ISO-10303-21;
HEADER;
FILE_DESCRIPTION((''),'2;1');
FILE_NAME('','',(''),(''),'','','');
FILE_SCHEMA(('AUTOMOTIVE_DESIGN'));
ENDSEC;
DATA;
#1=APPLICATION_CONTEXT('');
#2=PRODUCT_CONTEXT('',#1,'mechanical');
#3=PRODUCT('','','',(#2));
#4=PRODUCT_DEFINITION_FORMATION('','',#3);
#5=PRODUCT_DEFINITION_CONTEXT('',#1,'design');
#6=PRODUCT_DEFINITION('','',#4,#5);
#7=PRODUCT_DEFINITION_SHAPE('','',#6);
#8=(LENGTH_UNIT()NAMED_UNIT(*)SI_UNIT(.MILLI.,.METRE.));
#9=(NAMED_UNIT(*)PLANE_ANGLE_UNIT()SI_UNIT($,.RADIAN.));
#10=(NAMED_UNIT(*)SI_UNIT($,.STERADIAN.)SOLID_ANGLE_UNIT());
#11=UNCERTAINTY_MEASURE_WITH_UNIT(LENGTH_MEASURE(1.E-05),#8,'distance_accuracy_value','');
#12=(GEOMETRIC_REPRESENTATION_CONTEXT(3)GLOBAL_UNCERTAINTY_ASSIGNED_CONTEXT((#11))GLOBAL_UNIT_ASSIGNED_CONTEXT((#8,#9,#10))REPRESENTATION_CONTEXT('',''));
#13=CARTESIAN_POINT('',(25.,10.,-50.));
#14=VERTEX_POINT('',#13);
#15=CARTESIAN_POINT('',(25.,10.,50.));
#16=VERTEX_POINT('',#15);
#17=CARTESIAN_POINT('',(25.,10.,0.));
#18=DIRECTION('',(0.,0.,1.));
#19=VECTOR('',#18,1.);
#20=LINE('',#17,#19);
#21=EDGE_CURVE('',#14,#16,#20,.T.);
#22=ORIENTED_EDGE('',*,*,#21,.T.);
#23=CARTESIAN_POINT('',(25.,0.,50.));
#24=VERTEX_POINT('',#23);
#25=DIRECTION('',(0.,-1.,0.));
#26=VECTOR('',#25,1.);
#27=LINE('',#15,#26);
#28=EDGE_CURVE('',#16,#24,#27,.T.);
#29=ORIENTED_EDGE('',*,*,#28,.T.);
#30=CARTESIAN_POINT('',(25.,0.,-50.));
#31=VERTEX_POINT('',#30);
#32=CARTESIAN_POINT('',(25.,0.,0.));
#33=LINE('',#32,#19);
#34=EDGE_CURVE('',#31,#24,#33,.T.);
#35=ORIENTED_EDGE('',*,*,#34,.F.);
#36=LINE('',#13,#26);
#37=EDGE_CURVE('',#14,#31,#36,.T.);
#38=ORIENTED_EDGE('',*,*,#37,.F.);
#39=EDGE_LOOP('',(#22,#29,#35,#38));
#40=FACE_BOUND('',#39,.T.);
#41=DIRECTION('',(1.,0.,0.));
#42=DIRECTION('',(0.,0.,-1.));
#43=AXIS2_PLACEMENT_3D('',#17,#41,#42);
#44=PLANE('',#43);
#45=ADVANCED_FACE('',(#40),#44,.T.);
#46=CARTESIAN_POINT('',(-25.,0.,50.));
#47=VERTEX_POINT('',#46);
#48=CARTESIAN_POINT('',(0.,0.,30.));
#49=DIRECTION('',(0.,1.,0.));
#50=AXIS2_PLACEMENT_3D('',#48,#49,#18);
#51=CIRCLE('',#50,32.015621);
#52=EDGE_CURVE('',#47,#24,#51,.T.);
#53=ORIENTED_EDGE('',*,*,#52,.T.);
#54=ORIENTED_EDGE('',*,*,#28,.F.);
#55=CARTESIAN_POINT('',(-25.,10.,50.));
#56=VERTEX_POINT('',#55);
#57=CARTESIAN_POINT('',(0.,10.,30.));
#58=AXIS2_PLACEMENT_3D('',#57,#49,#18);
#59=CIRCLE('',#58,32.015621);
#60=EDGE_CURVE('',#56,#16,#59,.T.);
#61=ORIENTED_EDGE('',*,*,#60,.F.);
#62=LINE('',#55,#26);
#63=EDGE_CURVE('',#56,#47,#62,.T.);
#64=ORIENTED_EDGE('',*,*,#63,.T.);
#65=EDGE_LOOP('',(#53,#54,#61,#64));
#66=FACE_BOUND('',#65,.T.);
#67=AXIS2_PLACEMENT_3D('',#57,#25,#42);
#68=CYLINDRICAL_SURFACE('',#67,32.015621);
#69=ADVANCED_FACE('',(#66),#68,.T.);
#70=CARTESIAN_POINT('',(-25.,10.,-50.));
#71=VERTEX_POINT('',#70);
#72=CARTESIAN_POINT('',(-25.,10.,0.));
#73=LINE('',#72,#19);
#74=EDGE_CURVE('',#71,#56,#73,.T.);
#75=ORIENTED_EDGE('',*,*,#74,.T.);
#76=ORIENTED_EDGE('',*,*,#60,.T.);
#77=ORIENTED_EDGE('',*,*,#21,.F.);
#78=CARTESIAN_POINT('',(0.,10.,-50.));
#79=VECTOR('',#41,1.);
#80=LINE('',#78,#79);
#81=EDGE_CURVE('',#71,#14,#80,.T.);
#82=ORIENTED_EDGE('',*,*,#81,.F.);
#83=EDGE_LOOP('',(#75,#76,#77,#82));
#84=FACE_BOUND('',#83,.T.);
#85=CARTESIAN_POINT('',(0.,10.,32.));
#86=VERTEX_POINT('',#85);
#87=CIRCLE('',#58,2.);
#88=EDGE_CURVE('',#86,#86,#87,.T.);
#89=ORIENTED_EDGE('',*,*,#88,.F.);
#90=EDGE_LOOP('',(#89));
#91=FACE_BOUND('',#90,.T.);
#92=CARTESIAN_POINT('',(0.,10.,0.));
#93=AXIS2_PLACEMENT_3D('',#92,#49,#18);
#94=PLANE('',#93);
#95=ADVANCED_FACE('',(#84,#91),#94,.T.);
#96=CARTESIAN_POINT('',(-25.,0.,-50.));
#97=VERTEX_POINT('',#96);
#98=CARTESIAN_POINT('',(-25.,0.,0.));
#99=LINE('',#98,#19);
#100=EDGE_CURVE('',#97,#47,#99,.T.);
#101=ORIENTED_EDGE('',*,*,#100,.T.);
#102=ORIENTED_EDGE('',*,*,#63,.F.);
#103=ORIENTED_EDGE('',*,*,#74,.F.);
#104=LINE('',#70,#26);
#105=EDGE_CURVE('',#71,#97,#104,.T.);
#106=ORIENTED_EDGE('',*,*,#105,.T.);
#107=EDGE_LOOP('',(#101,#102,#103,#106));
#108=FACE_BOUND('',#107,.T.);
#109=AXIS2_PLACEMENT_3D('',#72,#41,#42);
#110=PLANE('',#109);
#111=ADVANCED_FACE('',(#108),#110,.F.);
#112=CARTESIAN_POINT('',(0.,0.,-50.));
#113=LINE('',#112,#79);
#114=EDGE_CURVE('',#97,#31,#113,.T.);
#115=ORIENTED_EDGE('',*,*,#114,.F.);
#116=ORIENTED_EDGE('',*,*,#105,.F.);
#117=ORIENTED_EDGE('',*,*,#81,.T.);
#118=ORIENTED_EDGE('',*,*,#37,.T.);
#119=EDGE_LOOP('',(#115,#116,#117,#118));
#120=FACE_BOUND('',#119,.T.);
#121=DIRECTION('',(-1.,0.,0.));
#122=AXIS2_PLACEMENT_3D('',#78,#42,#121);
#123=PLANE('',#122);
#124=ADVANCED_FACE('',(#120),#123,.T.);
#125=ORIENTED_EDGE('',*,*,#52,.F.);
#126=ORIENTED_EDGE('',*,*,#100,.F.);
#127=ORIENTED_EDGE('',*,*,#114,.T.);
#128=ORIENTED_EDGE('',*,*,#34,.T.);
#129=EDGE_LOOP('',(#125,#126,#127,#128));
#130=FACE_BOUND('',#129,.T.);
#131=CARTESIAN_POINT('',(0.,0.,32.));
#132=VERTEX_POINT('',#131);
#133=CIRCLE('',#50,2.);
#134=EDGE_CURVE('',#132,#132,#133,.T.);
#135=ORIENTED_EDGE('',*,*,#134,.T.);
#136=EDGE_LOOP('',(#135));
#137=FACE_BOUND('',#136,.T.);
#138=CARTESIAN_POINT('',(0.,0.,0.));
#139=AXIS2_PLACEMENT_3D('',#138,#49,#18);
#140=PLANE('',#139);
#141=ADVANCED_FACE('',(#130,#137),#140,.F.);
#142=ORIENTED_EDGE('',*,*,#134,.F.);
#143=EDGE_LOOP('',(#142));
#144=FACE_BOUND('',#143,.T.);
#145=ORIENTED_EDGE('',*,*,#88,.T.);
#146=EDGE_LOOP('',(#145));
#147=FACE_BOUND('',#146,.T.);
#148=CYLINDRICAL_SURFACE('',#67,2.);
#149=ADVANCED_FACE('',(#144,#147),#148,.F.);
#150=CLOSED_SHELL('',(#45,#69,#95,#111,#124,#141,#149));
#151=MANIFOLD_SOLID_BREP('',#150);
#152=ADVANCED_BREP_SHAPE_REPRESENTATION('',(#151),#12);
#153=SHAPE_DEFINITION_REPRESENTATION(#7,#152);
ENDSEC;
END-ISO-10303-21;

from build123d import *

# Parameters (mm, degrees)
SKETCH1_W           = 50
SKETCH1_H           = 100
SKETCH1_R           = 2
BOSS_EXTRUDE1_DEPTH = 10


with BuildPart() as part:
    # Sketch1 → Boss-Extrude1 (new body)
    # profile 1 of 2: a face of its own
    with BuildSketch(Plane(origin=(0, 0, 0), x_dir=(1, 0, 0), z_dir=(0, 1, 0))):
        Rectangle(SKETCH1_W, SKETCH1_H)
        with Locations(Location((0, -30, 0), (0, 0, 270))):
            Circle(SKETCH1_R, mode=Mode.SUBTRACT)
    # profile 2 of 2: a face of its own
    with BuildSketch(Plane(origin=(0, 0, 0), x_dir=(1, 0, 0), z_dir=(0, 1, 0))):
        with BuildLine():
            Line((-25, -50), (25, -50))
            ThreePointArc((25, -50), (0, -62.015621187), (-25, -50))
        make_face()
    extrude(amount=BOSS_EXTRUDE1_DEPTH)


solid = part.part
